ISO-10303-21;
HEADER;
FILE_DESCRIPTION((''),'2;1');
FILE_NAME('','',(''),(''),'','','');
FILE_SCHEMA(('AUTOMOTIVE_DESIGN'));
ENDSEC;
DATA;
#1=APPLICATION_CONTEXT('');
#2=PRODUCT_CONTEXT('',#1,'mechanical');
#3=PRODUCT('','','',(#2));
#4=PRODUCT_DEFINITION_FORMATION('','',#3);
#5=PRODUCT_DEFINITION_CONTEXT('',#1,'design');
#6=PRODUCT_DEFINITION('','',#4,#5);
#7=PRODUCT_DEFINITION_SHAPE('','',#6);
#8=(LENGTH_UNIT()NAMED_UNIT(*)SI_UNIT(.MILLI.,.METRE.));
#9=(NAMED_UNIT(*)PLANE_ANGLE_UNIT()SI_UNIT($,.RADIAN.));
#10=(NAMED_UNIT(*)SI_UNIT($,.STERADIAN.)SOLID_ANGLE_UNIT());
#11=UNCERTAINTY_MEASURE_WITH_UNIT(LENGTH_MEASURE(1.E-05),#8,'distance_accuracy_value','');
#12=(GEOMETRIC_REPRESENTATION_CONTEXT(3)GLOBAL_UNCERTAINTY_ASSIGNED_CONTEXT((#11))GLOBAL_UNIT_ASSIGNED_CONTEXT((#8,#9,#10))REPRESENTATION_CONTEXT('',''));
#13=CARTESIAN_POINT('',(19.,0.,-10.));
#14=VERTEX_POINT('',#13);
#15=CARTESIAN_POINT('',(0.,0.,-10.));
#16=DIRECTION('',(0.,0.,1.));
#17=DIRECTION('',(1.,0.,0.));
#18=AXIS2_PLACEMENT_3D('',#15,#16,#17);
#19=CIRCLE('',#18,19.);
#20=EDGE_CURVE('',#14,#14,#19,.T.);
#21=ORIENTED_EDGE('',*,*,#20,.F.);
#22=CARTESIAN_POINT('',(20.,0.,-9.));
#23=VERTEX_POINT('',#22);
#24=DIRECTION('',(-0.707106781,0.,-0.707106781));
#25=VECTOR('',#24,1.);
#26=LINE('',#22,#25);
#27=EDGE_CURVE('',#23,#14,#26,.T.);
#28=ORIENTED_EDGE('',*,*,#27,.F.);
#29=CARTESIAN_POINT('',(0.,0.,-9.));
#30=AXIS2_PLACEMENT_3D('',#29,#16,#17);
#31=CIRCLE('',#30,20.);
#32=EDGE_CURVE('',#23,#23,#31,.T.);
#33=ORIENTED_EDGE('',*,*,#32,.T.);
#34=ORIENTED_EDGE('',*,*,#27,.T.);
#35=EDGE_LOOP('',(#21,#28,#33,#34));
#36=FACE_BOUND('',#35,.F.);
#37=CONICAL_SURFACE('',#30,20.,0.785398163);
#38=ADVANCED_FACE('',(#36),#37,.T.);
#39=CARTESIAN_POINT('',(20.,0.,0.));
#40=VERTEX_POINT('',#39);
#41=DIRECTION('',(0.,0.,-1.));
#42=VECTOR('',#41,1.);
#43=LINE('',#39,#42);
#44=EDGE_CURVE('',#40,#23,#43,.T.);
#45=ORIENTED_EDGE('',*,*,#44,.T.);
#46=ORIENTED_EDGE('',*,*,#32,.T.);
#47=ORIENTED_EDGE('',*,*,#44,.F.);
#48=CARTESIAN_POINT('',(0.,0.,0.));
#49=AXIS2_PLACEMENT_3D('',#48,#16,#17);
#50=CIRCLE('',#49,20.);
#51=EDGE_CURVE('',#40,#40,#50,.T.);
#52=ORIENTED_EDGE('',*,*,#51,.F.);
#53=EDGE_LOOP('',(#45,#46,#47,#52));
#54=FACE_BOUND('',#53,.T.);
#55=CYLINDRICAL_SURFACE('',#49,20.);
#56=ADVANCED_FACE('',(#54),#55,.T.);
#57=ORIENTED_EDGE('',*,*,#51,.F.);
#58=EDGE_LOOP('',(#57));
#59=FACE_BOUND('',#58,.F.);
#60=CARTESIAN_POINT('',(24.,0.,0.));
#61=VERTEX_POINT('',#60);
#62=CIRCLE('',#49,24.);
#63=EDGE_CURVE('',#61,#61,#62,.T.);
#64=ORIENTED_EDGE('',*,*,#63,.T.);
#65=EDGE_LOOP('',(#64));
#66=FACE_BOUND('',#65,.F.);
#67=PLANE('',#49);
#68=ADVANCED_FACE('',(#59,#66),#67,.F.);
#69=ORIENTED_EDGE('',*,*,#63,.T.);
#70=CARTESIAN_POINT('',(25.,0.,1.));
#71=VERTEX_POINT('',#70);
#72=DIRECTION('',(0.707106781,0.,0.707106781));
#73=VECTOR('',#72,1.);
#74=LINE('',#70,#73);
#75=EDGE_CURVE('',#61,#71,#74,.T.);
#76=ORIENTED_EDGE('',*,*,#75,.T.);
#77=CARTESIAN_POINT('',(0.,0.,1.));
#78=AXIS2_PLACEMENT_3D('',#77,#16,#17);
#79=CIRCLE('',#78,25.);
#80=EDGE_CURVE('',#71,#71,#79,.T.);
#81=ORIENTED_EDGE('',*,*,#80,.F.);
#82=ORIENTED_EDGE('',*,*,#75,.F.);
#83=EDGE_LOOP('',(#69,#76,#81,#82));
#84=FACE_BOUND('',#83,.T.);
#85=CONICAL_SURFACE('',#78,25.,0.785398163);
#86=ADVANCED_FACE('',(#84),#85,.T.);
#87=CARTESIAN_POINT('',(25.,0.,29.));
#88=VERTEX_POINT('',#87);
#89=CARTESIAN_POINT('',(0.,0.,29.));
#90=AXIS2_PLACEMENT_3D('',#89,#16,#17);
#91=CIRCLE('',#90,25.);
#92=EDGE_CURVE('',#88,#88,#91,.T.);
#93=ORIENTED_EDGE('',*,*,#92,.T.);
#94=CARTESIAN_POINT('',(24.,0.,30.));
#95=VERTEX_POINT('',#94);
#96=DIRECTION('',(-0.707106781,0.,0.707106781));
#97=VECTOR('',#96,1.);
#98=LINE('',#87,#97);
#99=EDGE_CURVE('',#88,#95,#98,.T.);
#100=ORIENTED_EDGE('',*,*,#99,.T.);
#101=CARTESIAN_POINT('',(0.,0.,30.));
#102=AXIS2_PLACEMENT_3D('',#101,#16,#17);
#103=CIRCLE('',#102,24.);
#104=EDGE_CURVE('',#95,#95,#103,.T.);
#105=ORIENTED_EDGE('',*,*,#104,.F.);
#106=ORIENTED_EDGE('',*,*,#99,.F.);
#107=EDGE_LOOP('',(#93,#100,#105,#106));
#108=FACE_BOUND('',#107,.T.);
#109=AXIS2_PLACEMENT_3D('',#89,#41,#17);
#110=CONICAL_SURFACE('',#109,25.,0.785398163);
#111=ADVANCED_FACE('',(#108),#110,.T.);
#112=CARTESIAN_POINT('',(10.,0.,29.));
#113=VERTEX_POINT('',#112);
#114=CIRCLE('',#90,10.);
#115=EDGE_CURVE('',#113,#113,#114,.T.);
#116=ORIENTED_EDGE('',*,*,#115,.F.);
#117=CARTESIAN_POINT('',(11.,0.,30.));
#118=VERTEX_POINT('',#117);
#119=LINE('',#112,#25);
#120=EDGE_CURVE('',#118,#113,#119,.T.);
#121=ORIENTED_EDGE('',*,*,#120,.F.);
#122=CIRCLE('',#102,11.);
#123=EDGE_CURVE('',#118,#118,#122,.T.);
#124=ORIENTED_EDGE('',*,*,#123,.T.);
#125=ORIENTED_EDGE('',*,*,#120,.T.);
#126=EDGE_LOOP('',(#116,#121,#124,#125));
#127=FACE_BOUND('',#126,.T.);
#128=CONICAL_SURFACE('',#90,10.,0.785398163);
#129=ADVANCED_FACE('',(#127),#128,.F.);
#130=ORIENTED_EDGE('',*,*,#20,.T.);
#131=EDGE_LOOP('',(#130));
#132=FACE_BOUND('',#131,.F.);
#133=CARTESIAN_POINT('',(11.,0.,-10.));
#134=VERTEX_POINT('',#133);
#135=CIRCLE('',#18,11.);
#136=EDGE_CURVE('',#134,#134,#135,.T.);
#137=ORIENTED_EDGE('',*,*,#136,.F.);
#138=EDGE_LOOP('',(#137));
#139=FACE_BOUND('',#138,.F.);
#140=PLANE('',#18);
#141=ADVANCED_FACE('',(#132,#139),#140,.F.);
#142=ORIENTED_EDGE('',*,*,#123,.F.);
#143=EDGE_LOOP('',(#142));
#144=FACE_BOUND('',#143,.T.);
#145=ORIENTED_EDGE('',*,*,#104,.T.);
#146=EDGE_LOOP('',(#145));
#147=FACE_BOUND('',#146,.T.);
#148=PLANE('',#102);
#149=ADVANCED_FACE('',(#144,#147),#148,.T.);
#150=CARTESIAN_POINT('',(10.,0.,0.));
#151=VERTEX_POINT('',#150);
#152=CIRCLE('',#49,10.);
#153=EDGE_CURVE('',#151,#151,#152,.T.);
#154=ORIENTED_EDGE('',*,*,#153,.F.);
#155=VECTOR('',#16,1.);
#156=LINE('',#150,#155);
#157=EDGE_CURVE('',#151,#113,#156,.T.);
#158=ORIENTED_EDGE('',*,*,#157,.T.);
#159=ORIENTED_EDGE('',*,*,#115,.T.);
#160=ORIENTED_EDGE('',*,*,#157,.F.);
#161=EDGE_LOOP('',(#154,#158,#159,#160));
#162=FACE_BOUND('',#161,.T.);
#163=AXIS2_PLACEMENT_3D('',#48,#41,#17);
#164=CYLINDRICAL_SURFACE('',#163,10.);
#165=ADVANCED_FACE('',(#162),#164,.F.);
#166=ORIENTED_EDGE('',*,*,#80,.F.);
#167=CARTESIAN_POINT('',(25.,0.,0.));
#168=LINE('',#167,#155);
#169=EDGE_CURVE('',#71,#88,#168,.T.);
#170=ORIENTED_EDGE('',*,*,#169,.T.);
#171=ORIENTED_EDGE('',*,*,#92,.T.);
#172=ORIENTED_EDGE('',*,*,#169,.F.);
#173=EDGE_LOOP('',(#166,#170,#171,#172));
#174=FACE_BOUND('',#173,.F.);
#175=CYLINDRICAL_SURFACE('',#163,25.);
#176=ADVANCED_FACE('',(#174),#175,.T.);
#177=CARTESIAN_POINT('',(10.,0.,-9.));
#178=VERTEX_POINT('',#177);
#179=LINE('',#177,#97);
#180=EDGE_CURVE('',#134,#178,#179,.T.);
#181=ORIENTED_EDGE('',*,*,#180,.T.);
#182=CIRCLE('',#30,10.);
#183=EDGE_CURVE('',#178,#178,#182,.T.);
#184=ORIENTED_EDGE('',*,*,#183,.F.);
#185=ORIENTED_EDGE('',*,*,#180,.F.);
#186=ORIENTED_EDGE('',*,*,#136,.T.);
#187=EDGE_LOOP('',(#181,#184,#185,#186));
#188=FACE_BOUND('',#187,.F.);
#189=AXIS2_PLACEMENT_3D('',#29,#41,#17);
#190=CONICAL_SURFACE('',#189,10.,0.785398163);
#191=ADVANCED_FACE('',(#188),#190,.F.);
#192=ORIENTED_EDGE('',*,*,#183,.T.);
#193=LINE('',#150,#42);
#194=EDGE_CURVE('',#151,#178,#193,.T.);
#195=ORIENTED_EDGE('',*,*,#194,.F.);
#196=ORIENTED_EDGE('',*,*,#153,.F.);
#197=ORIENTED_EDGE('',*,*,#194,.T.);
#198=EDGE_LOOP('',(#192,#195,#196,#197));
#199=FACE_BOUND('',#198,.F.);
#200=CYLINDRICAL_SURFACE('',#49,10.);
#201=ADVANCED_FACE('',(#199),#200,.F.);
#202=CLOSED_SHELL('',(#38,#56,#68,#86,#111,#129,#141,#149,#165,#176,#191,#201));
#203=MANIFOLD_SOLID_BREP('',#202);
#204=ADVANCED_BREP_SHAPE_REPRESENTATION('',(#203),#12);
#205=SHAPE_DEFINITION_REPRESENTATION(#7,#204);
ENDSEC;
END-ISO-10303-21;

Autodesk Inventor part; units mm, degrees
ref_plane "YZ Plane" through (0, 0, 0) normal (1, 0, 0) x (0, 1, 0)
ref_plane "XZ Plane" through (0, 0, 0) normal (0, 1, 0) x (-1, 0, 0)
ref_plane "XY Plane" through (0, 0, 0) normal (0, 0, 1) x (1, 0, 0)
sketch "Szkic1" plane through (0, 0, 0) normal (0, 0, 1) x (1, 0, 0)
  circle A0 centre (0, 0) radius 20 projected
  circle A1 centre (0, 0) radius 20
  circle A2 centre (0, 0) radius 10
  point P0 (0, 0)
  dimension "d0" = 20
extrude "Wyciągnięcie proste1" add sketch "Szkic1" against normal blind 10
sketch "Szkic2" plane through (0, 0, 0) normal (0, 0, 1) x (1, 0, 0)
  circle A0 centre (0, 0) radius 20 projected
  circle A1 centre (0, 0) radius 10
  circle A2 centre (0, 0) radius 25
  point P0 (0, 0)
  dimension "d3" = 50
extrude "Wyciągnięcie proste2" add sketch "Szkic2" along normal blind 30 contours A0 | A2
chamfer "Faza1" distance 1 angle 45 5 edges at (-25, 0, 0) (-20, 0, -10) (-10, 0, -10) (-25, 0, 30) (-10, 0, 30)
properties part number "uchwyt1" material "Rury z PCW"
